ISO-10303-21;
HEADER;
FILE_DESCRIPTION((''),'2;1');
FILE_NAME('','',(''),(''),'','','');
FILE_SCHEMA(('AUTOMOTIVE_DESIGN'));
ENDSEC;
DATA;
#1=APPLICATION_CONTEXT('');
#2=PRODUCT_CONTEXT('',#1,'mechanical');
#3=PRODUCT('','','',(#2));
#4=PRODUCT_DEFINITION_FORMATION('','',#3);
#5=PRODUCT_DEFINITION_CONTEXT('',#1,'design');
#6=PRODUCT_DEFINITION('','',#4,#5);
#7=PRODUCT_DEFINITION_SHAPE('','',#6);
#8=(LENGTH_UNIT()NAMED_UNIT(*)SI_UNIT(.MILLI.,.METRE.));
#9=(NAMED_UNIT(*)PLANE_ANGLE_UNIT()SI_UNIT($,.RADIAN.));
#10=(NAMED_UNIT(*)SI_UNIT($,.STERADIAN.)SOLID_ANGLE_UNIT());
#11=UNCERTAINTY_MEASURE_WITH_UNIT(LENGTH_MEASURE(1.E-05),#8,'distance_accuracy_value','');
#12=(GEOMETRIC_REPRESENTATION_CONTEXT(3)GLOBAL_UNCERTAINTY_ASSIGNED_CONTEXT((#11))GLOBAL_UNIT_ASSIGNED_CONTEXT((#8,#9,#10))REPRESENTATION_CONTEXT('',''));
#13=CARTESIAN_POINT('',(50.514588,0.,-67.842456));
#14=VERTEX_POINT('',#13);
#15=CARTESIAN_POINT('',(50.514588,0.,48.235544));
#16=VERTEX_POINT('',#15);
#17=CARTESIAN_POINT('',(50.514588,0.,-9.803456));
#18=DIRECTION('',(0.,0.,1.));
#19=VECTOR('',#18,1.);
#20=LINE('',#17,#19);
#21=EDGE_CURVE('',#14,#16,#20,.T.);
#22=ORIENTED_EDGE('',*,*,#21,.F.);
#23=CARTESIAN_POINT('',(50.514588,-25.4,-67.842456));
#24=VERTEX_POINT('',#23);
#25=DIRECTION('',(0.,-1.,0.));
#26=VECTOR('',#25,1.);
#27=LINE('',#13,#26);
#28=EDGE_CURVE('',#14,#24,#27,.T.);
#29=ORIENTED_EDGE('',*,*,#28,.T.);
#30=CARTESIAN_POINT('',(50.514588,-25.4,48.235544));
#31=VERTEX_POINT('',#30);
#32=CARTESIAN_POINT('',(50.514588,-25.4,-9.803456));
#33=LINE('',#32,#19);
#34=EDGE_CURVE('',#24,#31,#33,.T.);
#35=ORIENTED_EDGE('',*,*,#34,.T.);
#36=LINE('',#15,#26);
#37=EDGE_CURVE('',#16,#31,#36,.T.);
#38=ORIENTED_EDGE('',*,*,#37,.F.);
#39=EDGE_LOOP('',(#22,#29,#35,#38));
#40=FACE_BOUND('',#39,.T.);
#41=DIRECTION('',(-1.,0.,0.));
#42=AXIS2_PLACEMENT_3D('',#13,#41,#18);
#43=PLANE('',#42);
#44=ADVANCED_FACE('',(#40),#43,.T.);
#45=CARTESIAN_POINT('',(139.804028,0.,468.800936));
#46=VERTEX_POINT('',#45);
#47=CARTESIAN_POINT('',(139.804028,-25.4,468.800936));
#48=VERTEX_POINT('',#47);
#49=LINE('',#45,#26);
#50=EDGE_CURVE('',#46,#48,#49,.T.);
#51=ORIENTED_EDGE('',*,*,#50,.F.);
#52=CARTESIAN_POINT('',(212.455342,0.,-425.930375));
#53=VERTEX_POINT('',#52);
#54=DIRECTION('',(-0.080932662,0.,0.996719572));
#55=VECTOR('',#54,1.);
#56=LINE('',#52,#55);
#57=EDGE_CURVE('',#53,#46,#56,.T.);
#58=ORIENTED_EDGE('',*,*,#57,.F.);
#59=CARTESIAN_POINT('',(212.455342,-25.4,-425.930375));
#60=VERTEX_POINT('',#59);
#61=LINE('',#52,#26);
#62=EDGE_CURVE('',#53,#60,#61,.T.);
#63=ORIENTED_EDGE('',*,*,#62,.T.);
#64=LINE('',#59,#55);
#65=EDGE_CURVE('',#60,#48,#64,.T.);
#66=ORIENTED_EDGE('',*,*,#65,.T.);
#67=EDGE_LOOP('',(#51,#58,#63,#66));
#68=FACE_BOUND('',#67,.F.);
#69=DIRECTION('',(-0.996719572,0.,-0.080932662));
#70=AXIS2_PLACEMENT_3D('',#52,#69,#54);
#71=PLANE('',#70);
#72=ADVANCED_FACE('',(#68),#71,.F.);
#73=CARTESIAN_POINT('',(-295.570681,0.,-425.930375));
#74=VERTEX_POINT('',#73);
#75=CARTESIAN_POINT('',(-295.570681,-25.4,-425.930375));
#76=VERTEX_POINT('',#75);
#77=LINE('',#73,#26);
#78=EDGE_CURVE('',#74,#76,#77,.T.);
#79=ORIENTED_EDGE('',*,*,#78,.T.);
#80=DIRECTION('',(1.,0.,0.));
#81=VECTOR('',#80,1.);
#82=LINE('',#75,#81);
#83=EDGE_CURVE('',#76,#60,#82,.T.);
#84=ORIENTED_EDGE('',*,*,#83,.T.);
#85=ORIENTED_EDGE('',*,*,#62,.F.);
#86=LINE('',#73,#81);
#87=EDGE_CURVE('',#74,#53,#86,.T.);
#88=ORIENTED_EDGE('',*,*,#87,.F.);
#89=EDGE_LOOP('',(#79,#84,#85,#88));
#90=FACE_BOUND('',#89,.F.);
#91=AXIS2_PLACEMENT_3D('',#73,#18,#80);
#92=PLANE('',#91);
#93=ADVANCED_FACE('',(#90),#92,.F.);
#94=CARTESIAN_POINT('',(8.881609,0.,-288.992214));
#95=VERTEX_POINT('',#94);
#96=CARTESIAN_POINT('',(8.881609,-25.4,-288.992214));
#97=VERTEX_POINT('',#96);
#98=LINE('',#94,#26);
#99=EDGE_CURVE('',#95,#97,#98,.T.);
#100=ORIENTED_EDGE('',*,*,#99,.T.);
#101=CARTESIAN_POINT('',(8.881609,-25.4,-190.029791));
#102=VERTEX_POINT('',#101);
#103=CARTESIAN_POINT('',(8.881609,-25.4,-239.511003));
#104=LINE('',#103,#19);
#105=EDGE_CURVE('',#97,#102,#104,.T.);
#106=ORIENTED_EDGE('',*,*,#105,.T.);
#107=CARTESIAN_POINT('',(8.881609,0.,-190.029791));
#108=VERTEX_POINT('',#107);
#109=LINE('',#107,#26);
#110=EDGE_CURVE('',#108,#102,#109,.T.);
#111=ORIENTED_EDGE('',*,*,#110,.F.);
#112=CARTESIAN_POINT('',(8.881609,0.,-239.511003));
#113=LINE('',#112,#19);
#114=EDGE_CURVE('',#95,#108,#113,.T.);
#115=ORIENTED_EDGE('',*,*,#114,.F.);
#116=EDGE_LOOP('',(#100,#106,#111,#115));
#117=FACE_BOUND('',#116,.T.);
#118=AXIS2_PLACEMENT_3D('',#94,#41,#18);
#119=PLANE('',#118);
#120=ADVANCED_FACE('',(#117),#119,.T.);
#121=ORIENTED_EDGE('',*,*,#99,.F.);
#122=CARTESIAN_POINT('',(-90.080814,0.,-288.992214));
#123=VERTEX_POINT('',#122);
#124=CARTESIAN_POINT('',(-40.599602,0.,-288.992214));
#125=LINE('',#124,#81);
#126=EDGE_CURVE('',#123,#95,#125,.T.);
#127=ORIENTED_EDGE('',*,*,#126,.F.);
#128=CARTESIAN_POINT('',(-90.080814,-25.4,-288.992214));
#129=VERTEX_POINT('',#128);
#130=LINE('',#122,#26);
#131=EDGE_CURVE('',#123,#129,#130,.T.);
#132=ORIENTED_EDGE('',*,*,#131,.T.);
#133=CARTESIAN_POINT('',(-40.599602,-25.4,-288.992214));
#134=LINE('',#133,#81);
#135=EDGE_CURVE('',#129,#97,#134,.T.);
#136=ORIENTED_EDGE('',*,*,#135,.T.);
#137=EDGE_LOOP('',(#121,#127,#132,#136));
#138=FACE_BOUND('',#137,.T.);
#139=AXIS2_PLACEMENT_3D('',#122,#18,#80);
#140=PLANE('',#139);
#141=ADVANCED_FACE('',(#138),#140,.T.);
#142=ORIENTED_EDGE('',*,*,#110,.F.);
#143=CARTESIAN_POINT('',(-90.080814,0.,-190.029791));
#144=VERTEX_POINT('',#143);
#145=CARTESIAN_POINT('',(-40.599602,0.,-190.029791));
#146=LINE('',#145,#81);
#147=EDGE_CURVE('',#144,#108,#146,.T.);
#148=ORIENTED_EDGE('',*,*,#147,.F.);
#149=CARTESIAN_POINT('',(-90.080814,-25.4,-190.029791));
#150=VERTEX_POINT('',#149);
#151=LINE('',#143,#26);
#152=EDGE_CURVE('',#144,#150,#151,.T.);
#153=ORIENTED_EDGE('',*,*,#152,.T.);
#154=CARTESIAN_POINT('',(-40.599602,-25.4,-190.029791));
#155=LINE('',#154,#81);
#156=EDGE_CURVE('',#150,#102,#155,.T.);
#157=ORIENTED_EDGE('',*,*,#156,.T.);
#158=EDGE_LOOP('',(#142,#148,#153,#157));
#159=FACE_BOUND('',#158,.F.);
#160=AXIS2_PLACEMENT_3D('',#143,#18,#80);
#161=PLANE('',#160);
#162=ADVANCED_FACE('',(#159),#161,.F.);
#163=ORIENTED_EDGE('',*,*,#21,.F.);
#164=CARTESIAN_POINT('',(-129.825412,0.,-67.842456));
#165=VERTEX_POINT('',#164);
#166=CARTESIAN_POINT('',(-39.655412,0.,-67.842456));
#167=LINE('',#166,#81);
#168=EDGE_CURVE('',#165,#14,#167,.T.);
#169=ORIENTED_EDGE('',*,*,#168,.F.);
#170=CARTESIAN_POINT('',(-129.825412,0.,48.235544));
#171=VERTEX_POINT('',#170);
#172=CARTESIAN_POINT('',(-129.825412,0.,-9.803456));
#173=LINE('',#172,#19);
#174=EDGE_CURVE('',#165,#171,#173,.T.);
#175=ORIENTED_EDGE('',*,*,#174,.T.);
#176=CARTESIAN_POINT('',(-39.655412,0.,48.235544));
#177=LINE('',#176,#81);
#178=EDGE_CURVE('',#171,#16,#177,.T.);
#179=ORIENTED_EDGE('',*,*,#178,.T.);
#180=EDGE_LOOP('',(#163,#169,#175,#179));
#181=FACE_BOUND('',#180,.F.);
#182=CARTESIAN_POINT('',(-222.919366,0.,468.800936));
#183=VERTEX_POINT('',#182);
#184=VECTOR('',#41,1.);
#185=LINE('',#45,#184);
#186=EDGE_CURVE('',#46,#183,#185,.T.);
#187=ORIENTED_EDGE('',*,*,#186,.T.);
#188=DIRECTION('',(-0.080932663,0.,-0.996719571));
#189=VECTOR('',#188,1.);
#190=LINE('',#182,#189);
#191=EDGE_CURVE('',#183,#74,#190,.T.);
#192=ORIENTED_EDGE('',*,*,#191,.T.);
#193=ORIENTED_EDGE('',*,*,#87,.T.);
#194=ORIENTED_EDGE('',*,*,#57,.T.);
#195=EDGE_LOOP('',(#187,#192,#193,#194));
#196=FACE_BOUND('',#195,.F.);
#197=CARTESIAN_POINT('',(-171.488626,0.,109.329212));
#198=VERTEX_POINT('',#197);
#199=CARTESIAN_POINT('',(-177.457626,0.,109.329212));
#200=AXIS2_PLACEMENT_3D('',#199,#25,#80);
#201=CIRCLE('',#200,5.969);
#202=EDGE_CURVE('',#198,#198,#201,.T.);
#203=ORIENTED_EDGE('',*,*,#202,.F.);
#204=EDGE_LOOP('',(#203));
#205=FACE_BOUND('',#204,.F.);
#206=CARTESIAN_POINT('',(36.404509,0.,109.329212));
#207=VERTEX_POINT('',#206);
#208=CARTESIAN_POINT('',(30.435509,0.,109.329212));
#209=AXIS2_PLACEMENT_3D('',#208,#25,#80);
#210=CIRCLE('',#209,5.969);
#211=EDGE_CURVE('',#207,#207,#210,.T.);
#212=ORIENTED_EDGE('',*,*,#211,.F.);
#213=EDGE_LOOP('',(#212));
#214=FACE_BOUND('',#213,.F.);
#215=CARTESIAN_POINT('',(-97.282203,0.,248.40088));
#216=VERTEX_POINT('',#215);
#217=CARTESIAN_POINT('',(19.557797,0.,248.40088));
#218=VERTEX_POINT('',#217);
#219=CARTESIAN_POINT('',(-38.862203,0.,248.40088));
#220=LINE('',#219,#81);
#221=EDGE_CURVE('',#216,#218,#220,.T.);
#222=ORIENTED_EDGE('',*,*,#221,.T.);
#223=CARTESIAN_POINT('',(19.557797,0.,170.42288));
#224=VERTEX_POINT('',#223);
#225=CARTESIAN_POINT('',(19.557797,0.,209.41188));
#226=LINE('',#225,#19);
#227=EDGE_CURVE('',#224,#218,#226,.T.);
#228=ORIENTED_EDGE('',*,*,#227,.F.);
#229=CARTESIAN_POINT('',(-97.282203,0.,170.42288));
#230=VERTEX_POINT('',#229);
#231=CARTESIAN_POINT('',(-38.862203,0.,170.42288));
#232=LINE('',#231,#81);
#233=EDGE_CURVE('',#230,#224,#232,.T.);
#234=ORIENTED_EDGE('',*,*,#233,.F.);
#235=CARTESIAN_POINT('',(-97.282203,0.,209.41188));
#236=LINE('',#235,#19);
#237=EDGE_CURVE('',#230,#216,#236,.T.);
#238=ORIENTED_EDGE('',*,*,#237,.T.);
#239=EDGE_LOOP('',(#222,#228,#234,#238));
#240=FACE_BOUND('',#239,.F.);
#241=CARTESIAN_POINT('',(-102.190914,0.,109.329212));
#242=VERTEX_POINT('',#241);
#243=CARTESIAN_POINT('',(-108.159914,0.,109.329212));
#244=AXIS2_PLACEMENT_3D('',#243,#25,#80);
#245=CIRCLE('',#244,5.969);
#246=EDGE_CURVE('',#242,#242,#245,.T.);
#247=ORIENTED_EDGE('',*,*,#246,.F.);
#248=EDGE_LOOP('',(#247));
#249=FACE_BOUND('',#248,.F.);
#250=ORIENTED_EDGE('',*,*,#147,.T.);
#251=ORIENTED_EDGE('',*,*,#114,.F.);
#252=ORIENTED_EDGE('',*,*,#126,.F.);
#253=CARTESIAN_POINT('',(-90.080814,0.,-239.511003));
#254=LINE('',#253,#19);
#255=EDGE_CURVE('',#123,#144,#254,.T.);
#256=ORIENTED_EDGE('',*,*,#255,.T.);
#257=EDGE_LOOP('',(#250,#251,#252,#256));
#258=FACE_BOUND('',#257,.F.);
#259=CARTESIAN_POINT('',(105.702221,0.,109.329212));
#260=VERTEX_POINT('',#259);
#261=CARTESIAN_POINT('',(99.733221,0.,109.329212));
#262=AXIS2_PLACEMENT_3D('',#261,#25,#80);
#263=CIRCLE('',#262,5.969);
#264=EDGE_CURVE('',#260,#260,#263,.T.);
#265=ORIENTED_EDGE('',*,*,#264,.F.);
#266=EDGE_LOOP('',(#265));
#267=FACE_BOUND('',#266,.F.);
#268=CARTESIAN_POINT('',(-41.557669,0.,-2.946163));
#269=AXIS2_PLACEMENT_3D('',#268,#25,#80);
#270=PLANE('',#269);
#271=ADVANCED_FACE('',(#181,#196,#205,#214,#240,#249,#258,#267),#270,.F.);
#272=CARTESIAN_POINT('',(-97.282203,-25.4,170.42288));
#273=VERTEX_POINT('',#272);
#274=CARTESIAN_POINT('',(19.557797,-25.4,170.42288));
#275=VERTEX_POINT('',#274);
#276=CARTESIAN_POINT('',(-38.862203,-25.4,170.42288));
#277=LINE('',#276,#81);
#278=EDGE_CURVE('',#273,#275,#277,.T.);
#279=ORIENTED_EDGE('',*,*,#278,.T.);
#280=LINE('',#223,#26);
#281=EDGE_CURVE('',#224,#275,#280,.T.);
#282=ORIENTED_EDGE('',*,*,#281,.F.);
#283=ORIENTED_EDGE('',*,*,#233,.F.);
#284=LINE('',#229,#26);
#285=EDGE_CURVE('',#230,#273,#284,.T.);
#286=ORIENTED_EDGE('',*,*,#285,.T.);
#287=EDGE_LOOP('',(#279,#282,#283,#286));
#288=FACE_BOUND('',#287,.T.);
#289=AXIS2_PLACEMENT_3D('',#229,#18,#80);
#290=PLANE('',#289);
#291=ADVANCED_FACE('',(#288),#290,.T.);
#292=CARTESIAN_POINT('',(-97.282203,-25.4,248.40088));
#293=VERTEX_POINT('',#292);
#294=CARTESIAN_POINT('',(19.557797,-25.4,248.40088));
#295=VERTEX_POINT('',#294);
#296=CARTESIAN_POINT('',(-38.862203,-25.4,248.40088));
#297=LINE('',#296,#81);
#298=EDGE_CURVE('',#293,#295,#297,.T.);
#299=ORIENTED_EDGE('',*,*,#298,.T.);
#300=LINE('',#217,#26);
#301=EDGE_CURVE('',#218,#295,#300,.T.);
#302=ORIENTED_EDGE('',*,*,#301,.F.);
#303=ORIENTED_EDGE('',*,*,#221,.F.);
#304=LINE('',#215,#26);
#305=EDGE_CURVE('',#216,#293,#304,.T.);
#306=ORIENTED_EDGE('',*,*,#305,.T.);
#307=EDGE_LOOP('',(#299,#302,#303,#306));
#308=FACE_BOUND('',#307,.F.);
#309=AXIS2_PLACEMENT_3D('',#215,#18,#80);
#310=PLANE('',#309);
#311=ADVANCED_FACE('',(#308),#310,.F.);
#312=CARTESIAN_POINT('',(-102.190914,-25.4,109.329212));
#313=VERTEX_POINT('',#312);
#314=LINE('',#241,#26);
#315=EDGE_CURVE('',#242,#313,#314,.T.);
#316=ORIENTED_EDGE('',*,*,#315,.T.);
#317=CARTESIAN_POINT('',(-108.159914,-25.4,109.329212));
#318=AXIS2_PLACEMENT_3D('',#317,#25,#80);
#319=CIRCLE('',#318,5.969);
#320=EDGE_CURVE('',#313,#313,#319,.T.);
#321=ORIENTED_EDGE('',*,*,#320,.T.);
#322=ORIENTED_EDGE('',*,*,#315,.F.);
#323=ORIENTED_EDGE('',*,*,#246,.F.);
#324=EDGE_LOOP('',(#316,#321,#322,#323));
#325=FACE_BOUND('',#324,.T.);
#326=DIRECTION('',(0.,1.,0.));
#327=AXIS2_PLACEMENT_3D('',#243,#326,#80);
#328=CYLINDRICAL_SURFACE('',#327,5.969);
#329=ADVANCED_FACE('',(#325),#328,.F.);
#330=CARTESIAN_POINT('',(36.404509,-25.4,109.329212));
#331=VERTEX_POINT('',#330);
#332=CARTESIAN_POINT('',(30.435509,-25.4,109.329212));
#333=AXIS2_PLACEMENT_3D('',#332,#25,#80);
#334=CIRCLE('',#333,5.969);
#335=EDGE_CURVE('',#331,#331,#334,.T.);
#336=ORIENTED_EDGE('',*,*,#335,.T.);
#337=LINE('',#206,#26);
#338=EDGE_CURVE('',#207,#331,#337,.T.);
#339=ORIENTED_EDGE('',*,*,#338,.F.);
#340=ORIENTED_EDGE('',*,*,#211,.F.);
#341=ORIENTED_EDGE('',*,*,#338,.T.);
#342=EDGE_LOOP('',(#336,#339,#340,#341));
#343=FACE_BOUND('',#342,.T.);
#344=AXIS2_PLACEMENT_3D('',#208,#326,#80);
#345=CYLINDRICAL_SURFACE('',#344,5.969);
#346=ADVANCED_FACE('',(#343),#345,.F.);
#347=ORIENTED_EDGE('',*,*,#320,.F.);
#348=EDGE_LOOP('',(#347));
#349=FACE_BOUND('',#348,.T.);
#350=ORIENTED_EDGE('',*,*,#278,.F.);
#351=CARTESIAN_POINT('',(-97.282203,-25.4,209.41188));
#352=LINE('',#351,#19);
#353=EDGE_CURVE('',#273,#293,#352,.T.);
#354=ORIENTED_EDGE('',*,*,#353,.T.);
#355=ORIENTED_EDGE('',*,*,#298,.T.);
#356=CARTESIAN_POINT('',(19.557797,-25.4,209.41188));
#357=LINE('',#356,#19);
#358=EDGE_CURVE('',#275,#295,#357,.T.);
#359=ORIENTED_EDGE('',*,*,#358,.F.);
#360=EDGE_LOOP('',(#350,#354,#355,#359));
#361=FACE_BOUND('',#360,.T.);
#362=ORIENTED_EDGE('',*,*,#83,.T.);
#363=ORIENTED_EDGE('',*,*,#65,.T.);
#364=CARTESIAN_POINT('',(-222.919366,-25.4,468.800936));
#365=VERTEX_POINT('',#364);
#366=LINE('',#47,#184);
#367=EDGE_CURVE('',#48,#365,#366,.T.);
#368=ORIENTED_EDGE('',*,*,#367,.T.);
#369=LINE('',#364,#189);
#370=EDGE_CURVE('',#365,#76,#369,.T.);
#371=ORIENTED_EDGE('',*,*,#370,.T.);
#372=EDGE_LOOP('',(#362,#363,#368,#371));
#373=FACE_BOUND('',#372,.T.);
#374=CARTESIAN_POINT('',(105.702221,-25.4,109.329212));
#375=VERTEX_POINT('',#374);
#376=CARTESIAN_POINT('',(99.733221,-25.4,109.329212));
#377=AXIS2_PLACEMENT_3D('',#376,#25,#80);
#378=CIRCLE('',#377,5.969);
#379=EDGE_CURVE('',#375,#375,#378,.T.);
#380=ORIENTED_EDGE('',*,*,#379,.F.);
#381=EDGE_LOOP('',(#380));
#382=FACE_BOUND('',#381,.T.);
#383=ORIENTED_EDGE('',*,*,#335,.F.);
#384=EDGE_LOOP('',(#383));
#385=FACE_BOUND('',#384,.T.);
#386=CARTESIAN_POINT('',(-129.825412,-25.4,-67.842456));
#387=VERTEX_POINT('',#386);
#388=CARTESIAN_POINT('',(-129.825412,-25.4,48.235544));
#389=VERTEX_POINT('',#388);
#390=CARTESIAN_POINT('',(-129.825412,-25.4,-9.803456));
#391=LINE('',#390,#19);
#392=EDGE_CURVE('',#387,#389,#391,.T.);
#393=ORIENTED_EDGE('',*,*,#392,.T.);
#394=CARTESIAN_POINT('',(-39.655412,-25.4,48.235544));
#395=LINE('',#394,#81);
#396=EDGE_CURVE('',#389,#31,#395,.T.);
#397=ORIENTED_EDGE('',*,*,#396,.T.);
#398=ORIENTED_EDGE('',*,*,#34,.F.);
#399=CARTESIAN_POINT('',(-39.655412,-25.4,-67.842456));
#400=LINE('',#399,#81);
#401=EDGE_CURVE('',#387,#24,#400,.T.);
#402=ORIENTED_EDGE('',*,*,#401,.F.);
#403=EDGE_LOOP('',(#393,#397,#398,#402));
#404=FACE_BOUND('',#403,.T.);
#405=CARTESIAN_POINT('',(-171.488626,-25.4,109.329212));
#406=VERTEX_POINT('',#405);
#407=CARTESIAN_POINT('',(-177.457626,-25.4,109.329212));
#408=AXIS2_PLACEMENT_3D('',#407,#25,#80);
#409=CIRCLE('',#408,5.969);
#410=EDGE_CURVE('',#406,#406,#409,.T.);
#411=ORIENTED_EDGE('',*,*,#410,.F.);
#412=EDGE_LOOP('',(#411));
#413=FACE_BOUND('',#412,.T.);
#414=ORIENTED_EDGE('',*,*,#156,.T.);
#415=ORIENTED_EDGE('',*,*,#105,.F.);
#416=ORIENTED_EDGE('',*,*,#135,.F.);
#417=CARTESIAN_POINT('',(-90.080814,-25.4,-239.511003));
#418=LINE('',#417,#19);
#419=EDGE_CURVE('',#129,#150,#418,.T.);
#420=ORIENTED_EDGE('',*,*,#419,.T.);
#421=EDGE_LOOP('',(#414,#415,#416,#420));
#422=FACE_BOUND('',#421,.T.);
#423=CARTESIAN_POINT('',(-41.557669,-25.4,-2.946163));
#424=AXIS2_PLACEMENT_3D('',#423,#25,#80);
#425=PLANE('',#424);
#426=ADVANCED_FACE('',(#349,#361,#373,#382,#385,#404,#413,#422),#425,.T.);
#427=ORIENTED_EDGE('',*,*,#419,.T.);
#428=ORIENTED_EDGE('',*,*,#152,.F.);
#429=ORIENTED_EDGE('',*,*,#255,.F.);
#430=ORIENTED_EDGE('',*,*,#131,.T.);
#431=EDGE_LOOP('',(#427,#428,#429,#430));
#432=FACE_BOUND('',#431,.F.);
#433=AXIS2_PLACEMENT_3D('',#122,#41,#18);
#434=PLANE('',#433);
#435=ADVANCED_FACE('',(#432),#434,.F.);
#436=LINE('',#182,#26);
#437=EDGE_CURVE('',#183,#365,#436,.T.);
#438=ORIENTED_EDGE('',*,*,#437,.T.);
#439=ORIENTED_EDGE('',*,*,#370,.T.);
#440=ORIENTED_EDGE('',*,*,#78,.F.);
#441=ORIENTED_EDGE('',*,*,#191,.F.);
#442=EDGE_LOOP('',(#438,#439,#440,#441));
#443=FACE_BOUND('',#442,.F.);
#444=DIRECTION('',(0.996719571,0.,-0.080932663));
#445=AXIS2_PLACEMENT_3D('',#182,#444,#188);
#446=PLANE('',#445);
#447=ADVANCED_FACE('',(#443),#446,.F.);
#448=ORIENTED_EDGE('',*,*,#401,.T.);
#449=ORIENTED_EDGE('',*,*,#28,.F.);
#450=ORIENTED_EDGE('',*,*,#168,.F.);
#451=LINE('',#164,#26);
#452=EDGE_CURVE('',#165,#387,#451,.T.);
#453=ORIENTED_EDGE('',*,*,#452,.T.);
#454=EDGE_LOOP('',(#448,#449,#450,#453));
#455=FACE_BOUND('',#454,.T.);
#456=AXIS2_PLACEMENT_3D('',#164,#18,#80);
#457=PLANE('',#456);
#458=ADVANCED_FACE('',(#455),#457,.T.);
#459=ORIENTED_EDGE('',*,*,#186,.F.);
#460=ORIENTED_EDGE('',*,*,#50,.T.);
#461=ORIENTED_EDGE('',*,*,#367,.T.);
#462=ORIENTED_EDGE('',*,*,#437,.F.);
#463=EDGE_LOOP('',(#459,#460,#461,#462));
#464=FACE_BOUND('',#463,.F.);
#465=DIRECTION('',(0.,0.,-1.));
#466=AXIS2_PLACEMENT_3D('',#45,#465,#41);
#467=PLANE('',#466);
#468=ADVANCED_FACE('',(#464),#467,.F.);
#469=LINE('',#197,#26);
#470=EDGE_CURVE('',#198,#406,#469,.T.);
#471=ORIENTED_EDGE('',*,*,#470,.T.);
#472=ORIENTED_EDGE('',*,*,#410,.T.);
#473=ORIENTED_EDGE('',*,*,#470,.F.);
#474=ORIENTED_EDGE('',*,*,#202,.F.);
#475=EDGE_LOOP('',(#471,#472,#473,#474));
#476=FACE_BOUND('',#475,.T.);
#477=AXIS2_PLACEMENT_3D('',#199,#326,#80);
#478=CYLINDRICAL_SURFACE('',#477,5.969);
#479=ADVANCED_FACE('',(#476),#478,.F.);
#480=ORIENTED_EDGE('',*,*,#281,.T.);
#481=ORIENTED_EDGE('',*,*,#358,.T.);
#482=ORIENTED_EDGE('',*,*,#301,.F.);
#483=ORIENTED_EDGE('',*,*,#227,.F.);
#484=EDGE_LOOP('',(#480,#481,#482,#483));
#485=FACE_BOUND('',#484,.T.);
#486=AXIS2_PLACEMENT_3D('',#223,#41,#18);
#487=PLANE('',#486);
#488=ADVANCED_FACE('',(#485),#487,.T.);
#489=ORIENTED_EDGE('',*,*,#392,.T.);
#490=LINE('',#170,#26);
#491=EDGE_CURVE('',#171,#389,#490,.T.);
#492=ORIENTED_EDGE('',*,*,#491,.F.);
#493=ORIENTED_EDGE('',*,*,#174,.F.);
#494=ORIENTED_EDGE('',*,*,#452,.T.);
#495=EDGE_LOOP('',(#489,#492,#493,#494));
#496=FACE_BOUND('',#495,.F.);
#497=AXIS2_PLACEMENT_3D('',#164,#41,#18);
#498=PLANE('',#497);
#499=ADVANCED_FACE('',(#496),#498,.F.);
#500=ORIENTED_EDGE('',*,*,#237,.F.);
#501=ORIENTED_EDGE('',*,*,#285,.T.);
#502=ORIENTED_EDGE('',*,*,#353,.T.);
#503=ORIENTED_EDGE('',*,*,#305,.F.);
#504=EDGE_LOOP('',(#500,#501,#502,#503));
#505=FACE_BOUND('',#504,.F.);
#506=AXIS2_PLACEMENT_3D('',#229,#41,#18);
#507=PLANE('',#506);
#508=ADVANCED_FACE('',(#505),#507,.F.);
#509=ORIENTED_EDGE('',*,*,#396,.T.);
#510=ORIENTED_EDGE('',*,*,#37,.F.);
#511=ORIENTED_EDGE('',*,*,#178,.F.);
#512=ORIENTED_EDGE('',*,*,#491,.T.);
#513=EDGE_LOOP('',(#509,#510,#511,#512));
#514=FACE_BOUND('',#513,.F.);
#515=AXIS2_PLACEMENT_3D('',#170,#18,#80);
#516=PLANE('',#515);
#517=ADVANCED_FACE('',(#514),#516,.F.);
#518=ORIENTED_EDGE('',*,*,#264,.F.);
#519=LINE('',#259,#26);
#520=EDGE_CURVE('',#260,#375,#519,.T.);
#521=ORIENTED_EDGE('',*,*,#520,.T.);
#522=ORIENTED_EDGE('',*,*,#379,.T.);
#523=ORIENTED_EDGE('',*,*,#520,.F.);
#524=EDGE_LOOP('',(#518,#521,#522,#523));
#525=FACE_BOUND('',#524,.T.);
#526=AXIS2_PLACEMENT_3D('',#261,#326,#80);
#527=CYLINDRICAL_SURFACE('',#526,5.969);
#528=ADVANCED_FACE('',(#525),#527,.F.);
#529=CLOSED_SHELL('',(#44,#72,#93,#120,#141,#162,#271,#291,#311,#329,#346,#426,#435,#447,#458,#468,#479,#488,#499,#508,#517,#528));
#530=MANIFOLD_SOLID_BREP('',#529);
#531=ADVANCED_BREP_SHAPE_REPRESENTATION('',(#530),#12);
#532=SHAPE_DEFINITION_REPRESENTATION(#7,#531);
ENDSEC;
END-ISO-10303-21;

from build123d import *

# Parameters (mm, degrees)
F0_W     = 98.962423
F0_H     = 98.962423
F0_W_2   = 180.34
F0_H_2   = 116.078
F0_R     = 5.969
F0_W_3   = 116.84
F0_H_3   = 77.978
F1_DEPTH = 25.4


with BuildPart() as f1:
    # F0 (on Front) → F1 (new body)
    with BuildSketch(Plane.XZ):
        Polygon((139.804028, 468.800936), (-222.919366, 468.800936), (-295.570681, -425.930375), (212.455342, -425.930375), align=None)
        with Locations((-40.599602, -239.511003)):
            Rectangle(F0_W, F0_H, mode=Mode.SUBTRACT)
        with Locations((-39.655412, -9.803456)):
            Rectangle(F0_W_2, F0_H_2, mode=Mode.SUBTRACT)
        with Locations((-177.457626, 109.329212)):
            Circle(F0_R, mode=Mode.SUBTRACT)
        with Locations((-108.159914, 109.329212)):
            Circle(F0_R, mode=Mode.SUBTRACT)
        with Locations((30.435509, 109.329212)):
            Circle(F0_R, mode=Mode.SUBTRACT)
        with Locations((-38.862203, 209.41188)):
            Rectangle(F0_W_3, F0_H_3, mode=Mode.SUBTRACT)
        with Locations((99.733221, 109.329212)):
            Circle(F0_R, mode=Mode.SUBTRACT)
    extrude(amount=F1_DEPTH)


solid = f1.part
